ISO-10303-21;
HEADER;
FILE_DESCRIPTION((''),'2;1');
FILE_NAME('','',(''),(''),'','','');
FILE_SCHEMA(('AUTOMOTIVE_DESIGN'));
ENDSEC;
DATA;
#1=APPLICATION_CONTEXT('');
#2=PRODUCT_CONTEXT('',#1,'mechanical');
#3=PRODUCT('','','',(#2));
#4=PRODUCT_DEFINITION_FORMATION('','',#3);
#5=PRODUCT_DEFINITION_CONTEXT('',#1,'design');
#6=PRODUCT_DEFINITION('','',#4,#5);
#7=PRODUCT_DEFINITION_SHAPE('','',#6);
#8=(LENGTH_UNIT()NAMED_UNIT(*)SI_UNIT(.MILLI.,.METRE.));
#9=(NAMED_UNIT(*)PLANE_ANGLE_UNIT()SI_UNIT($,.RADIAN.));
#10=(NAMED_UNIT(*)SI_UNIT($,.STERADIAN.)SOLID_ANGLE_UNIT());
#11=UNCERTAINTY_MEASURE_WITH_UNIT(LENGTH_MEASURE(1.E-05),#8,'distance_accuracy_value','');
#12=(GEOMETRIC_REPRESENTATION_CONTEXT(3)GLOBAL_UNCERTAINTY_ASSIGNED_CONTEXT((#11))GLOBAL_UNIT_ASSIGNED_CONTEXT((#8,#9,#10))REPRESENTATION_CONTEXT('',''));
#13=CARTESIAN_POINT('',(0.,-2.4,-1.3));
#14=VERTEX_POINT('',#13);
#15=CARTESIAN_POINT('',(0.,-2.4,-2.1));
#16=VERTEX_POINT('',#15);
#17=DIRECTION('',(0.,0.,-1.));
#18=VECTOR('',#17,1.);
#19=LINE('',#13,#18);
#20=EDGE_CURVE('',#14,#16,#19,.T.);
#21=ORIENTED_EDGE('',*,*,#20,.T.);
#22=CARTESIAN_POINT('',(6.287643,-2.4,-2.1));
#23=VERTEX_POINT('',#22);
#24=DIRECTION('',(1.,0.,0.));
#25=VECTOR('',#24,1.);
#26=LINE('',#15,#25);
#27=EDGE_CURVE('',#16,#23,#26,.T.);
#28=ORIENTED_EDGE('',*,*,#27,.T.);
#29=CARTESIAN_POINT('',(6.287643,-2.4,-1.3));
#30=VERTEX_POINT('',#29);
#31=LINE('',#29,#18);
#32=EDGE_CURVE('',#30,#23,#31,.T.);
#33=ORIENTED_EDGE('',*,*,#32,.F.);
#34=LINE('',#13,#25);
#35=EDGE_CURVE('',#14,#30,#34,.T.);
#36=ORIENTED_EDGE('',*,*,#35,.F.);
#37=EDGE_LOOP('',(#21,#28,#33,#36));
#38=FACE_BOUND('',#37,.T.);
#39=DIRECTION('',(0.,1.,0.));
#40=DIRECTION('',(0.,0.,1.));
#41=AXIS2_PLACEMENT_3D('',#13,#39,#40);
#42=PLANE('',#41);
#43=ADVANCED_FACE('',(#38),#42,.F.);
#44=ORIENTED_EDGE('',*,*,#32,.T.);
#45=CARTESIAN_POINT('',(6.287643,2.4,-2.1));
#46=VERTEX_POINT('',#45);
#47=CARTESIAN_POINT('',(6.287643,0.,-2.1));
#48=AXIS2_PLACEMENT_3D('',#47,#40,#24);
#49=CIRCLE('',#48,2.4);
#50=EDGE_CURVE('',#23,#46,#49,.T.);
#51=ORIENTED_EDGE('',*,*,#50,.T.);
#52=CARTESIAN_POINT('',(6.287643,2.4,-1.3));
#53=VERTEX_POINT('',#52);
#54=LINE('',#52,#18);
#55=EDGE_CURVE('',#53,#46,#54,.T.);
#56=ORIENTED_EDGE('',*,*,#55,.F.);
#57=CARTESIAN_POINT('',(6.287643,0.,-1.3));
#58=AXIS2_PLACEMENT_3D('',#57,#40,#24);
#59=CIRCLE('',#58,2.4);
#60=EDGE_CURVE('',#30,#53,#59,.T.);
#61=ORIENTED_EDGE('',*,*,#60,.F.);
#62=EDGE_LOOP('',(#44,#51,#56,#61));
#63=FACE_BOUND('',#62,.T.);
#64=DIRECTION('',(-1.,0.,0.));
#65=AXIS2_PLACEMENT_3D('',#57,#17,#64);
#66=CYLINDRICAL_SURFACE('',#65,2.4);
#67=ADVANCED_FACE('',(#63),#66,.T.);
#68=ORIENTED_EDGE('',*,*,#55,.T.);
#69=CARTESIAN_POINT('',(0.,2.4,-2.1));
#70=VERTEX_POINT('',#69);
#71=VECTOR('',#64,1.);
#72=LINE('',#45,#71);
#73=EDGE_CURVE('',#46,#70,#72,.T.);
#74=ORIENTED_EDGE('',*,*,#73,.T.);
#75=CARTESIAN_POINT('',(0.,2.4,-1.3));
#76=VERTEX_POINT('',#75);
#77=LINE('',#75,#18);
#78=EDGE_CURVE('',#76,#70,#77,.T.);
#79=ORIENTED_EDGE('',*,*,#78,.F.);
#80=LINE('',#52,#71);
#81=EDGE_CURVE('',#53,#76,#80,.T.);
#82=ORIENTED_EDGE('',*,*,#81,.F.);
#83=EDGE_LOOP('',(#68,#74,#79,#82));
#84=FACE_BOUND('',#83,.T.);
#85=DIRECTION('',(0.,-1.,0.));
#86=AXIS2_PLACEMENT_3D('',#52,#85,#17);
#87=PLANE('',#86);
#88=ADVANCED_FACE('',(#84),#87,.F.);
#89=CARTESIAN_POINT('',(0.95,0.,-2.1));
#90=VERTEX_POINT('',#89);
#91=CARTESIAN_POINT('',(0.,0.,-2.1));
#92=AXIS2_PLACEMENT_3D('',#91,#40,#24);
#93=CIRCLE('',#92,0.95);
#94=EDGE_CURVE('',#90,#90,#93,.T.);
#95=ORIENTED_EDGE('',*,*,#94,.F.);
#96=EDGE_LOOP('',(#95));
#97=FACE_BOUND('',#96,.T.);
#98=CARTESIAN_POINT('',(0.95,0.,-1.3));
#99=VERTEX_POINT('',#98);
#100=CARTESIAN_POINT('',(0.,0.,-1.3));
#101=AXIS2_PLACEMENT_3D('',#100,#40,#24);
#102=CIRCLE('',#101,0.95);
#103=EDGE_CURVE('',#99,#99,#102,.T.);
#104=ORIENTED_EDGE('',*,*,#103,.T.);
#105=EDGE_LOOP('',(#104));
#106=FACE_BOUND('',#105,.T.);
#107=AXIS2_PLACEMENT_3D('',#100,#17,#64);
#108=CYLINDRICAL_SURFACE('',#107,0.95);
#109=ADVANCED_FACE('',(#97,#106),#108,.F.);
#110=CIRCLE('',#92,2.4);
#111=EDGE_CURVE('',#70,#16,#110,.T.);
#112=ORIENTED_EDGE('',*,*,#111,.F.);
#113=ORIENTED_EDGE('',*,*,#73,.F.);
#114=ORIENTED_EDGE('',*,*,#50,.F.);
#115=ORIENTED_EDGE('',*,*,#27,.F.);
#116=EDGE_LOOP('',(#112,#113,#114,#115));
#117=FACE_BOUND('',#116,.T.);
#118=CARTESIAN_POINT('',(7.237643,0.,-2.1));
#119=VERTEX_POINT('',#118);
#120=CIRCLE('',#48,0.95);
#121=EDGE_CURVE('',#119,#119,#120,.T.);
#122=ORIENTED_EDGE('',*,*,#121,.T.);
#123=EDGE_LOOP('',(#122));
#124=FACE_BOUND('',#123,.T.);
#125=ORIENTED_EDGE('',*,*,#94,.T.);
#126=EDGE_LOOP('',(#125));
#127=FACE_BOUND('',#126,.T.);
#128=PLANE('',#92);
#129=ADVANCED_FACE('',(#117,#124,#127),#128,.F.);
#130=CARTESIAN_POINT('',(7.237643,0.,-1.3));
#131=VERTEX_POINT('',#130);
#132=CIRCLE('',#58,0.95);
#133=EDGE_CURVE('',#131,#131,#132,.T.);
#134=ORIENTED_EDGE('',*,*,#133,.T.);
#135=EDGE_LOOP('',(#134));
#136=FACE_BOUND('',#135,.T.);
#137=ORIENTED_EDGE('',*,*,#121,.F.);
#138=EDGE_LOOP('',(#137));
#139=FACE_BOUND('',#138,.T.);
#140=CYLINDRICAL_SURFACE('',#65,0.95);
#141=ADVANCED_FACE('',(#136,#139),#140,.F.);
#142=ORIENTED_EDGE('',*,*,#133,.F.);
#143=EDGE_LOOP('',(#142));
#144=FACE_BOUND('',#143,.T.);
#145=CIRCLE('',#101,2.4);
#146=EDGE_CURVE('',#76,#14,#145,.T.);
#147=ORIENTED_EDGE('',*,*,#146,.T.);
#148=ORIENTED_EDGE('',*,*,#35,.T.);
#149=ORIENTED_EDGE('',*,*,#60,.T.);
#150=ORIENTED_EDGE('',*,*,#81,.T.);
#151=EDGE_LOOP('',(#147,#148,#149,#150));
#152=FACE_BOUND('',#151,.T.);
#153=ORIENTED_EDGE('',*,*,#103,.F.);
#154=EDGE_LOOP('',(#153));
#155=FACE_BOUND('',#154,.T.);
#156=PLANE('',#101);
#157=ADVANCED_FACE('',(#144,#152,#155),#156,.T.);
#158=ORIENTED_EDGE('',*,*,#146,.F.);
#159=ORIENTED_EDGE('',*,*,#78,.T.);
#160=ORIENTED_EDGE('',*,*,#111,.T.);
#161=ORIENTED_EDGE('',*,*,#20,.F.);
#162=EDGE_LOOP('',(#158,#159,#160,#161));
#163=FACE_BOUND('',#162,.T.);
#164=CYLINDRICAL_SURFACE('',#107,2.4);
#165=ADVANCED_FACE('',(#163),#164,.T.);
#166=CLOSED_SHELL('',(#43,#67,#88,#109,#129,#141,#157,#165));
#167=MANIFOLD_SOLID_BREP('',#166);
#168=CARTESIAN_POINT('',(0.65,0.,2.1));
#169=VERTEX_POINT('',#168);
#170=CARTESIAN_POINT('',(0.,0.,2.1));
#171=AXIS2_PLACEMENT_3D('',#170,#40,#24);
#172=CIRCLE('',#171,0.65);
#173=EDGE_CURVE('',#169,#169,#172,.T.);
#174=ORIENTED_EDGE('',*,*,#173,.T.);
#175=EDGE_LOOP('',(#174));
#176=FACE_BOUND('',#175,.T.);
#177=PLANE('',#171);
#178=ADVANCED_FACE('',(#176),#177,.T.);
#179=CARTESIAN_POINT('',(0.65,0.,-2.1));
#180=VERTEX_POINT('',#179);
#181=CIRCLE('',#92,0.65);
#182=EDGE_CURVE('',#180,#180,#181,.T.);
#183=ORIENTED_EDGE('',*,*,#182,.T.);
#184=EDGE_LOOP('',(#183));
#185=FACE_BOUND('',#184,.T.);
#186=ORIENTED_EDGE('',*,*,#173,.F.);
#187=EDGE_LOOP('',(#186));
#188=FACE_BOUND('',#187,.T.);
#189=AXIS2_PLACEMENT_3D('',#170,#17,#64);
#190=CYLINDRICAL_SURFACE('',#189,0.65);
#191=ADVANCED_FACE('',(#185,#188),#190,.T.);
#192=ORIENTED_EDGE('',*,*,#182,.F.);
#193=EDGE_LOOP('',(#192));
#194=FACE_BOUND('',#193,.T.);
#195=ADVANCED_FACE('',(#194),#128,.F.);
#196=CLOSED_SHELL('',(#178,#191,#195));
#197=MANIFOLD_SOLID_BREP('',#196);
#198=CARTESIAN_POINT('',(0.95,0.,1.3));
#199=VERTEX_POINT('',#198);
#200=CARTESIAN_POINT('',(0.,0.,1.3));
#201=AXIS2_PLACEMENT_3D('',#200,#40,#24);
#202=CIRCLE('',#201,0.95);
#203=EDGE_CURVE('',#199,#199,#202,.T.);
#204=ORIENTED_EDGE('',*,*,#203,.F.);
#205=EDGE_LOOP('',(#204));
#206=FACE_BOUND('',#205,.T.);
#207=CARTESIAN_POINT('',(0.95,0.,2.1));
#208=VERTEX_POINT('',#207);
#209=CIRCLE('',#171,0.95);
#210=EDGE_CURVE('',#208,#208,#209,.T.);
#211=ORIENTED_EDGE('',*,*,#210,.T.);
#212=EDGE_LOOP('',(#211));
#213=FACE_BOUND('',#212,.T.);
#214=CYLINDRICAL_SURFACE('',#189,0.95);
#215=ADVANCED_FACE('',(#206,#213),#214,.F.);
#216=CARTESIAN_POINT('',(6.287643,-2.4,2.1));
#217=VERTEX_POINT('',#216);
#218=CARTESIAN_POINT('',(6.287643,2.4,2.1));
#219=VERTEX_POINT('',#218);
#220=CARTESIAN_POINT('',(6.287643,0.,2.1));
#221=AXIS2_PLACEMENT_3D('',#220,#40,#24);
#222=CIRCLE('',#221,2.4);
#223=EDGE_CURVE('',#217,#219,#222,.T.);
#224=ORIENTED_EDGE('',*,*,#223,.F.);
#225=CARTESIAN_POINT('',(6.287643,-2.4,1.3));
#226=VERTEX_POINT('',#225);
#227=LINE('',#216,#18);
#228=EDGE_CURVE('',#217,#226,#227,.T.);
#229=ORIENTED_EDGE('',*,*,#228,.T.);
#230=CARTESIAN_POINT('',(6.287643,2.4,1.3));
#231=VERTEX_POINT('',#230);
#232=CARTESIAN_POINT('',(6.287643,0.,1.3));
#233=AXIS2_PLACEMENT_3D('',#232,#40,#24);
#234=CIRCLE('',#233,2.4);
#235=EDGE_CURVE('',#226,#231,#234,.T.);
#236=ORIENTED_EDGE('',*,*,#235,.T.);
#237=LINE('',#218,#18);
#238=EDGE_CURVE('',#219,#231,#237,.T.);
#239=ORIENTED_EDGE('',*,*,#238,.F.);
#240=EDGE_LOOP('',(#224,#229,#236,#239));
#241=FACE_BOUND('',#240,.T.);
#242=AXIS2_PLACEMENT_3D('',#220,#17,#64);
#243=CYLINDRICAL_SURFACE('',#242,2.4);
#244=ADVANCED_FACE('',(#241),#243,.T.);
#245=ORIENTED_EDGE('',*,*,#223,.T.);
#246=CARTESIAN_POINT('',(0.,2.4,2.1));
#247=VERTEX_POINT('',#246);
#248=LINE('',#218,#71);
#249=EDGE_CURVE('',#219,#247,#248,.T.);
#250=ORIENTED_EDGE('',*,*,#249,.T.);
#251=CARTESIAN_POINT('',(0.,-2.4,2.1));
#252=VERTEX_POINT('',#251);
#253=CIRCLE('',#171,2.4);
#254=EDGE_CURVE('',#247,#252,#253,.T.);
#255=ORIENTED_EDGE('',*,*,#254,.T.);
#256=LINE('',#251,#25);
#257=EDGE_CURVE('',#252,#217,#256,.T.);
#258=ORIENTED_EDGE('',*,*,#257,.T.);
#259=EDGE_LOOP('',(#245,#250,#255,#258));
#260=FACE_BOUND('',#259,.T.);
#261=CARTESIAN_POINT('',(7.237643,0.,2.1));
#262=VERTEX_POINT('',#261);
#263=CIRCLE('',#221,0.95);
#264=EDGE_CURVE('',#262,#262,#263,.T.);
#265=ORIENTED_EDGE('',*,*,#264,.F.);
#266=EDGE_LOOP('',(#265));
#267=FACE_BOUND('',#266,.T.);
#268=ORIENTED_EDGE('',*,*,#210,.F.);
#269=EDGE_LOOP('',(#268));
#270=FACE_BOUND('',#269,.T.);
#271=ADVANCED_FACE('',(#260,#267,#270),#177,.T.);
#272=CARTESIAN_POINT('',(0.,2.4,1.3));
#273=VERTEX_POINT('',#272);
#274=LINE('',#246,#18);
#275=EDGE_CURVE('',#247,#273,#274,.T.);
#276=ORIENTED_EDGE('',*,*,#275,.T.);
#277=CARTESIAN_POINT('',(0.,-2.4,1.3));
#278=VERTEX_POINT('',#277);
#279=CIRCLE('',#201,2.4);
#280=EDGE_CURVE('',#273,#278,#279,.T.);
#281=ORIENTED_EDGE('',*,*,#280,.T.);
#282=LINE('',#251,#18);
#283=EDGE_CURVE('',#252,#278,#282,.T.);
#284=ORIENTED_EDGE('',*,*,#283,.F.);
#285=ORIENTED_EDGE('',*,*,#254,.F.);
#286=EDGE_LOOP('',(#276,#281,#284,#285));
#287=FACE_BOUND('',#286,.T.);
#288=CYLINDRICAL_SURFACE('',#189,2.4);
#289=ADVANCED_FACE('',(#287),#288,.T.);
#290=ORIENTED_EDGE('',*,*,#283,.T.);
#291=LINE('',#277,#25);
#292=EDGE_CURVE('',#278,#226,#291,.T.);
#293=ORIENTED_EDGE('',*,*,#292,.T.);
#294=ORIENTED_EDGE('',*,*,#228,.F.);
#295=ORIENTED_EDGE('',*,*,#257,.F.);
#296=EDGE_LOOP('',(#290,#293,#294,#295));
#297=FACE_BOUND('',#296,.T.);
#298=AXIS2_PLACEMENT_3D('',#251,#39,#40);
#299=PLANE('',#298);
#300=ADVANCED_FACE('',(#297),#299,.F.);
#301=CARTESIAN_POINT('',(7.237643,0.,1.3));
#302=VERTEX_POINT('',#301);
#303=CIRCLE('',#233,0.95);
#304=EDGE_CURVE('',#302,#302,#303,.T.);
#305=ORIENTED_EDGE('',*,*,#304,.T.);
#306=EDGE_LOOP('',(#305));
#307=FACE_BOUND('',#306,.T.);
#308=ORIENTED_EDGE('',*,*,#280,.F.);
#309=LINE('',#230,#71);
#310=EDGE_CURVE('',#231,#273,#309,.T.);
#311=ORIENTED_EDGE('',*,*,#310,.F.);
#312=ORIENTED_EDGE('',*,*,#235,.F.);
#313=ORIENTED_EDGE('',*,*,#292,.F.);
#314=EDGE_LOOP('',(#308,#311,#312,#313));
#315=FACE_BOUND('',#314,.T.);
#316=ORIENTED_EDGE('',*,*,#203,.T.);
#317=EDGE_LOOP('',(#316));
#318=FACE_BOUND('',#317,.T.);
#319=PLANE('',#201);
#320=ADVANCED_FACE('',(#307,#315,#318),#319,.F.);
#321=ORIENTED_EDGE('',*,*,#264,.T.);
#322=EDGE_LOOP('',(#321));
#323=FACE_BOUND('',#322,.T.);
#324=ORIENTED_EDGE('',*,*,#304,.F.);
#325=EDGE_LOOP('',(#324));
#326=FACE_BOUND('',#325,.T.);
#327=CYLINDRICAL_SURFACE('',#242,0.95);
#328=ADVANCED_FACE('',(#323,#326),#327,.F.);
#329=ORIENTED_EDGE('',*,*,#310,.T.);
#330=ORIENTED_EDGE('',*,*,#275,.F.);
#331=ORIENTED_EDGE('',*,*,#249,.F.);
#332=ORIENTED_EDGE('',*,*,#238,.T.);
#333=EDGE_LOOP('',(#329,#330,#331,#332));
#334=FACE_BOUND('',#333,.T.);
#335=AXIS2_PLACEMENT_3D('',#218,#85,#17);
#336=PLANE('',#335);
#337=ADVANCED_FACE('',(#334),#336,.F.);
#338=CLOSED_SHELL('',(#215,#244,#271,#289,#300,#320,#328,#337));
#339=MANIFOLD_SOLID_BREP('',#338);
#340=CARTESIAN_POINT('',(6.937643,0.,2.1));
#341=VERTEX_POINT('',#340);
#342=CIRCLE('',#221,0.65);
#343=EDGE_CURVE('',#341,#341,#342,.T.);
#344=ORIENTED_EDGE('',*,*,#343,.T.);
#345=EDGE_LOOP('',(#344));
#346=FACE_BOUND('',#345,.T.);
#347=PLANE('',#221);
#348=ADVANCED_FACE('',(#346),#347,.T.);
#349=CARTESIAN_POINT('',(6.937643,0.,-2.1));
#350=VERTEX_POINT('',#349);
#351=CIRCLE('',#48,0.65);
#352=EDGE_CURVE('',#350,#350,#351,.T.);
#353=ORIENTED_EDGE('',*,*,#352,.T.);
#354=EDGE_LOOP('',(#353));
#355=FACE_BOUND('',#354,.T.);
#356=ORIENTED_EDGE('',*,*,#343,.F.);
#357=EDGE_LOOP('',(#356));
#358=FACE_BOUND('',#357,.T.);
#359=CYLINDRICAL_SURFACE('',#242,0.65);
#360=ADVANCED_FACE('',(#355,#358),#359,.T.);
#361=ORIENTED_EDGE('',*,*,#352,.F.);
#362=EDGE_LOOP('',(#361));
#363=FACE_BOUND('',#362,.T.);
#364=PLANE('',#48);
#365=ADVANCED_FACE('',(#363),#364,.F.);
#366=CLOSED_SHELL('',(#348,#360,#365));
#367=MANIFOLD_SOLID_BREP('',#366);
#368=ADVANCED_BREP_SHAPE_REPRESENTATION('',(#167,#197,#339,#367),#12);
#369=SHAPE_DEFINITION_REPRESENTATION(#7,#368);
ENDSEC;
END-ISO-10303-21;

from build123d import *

# Parameters (mm, degrees)
BOSS_EXTRUDE1_START   = 1.3
SKETCH1_R             = 0.95
BOSS_EXTRUDE1_DEPTH   = 0.8
BOSS_EXTRUDE2_START   = -2.1
SKETCH2_R             = 0.95
BOSS_EXTRUDE2_DEPTH   = 0.8
BOSS_EXTRUDE3_START   = -2.1
SKETCH3_R             = 0.65
BOSS_EXTRUDE3_DEPTH   = 4.2
BOSS_EXTRUDE3_2_DEPTH = 4.2


with BuildPart() as part:
    # Sketch1 → Boss-Extrude1 (new body)
    with BuildSketch(Plane.XY.offset(BOSS_EXTRUDE1_START)):
        with BuildLine():
            Line((0, -2.4), (6.287642552, -2.4))
            ThreePointArc((6.287642552, -2.4), (8.687642552, 0), (6.287642552, 2.4))
            Line((6.287642552, 2.4), (0, 2.4))
            ThreePointArc((0, 2.4), (-2.4, 0), (0, -2.4))
        make_face()
        Circle(SKETCH1_R, mode=Mode.SUBTRACT)
        with Locations((6.287642552, 0)):
            Circle(SKETCH1_R, mode=Mode.SUBTRACT)
    extrude(amount=BOSS_EXTRUDE1_DEPTH)


with BuildPart() as body_2:
    # Sketch2 → Boss-Extrude2 (new body)
    with BuildSketch(Plane.XY.offset(BOSS_EXTRUDE2_START)):
        with BuildLine():
            Line((0, -2.4), (6.287642552, -2.4))
            ThreePointArc((6.287642552, -2.4), (8.687642552, 0), (6.287642552, 2.4))
            Line((6.287642552, 2.4), (0, 2.4))
            ThreePointArc((0, 2.4), (-2.4, 0), (0, -2.4))
        make_face()
        Circle(SKETCH2_R, mode=Mode.SUBTRACT)
        with Locations((6.287642552, 0)):
            Circle(SKETCH2_R, mode=Mode.SUBTRACT)
    extrude(amount=BOSS_EXTRUDE2_DEPTH)


with BuildPart() as body_3:
    # Sketch3 → Boss-Extrude3 (new body)
    with BuildSketch(Plane.XY.offset(BOSS_EXTRUDE3_START)):
        Circle(SKETCH3_R)
    extrude(amount=BOSS_EXTRUDE3_DEPTH)


with BuildPart() as body_4:
    # Sketch3 → Boss-Extrude3 2 (new body)
    with BuildSketch(Plane.XY.offset(BOSS_EXTRUDE3_START)):
        with Locations((6.287642552, 0)):
            Circle(SKETCH3_R)
    extrude(amount=BOSS_EXTRUDE3_2_DEPTH)


solid = Compound([part.part, body_2.part, body_3.part, body_4.part])
